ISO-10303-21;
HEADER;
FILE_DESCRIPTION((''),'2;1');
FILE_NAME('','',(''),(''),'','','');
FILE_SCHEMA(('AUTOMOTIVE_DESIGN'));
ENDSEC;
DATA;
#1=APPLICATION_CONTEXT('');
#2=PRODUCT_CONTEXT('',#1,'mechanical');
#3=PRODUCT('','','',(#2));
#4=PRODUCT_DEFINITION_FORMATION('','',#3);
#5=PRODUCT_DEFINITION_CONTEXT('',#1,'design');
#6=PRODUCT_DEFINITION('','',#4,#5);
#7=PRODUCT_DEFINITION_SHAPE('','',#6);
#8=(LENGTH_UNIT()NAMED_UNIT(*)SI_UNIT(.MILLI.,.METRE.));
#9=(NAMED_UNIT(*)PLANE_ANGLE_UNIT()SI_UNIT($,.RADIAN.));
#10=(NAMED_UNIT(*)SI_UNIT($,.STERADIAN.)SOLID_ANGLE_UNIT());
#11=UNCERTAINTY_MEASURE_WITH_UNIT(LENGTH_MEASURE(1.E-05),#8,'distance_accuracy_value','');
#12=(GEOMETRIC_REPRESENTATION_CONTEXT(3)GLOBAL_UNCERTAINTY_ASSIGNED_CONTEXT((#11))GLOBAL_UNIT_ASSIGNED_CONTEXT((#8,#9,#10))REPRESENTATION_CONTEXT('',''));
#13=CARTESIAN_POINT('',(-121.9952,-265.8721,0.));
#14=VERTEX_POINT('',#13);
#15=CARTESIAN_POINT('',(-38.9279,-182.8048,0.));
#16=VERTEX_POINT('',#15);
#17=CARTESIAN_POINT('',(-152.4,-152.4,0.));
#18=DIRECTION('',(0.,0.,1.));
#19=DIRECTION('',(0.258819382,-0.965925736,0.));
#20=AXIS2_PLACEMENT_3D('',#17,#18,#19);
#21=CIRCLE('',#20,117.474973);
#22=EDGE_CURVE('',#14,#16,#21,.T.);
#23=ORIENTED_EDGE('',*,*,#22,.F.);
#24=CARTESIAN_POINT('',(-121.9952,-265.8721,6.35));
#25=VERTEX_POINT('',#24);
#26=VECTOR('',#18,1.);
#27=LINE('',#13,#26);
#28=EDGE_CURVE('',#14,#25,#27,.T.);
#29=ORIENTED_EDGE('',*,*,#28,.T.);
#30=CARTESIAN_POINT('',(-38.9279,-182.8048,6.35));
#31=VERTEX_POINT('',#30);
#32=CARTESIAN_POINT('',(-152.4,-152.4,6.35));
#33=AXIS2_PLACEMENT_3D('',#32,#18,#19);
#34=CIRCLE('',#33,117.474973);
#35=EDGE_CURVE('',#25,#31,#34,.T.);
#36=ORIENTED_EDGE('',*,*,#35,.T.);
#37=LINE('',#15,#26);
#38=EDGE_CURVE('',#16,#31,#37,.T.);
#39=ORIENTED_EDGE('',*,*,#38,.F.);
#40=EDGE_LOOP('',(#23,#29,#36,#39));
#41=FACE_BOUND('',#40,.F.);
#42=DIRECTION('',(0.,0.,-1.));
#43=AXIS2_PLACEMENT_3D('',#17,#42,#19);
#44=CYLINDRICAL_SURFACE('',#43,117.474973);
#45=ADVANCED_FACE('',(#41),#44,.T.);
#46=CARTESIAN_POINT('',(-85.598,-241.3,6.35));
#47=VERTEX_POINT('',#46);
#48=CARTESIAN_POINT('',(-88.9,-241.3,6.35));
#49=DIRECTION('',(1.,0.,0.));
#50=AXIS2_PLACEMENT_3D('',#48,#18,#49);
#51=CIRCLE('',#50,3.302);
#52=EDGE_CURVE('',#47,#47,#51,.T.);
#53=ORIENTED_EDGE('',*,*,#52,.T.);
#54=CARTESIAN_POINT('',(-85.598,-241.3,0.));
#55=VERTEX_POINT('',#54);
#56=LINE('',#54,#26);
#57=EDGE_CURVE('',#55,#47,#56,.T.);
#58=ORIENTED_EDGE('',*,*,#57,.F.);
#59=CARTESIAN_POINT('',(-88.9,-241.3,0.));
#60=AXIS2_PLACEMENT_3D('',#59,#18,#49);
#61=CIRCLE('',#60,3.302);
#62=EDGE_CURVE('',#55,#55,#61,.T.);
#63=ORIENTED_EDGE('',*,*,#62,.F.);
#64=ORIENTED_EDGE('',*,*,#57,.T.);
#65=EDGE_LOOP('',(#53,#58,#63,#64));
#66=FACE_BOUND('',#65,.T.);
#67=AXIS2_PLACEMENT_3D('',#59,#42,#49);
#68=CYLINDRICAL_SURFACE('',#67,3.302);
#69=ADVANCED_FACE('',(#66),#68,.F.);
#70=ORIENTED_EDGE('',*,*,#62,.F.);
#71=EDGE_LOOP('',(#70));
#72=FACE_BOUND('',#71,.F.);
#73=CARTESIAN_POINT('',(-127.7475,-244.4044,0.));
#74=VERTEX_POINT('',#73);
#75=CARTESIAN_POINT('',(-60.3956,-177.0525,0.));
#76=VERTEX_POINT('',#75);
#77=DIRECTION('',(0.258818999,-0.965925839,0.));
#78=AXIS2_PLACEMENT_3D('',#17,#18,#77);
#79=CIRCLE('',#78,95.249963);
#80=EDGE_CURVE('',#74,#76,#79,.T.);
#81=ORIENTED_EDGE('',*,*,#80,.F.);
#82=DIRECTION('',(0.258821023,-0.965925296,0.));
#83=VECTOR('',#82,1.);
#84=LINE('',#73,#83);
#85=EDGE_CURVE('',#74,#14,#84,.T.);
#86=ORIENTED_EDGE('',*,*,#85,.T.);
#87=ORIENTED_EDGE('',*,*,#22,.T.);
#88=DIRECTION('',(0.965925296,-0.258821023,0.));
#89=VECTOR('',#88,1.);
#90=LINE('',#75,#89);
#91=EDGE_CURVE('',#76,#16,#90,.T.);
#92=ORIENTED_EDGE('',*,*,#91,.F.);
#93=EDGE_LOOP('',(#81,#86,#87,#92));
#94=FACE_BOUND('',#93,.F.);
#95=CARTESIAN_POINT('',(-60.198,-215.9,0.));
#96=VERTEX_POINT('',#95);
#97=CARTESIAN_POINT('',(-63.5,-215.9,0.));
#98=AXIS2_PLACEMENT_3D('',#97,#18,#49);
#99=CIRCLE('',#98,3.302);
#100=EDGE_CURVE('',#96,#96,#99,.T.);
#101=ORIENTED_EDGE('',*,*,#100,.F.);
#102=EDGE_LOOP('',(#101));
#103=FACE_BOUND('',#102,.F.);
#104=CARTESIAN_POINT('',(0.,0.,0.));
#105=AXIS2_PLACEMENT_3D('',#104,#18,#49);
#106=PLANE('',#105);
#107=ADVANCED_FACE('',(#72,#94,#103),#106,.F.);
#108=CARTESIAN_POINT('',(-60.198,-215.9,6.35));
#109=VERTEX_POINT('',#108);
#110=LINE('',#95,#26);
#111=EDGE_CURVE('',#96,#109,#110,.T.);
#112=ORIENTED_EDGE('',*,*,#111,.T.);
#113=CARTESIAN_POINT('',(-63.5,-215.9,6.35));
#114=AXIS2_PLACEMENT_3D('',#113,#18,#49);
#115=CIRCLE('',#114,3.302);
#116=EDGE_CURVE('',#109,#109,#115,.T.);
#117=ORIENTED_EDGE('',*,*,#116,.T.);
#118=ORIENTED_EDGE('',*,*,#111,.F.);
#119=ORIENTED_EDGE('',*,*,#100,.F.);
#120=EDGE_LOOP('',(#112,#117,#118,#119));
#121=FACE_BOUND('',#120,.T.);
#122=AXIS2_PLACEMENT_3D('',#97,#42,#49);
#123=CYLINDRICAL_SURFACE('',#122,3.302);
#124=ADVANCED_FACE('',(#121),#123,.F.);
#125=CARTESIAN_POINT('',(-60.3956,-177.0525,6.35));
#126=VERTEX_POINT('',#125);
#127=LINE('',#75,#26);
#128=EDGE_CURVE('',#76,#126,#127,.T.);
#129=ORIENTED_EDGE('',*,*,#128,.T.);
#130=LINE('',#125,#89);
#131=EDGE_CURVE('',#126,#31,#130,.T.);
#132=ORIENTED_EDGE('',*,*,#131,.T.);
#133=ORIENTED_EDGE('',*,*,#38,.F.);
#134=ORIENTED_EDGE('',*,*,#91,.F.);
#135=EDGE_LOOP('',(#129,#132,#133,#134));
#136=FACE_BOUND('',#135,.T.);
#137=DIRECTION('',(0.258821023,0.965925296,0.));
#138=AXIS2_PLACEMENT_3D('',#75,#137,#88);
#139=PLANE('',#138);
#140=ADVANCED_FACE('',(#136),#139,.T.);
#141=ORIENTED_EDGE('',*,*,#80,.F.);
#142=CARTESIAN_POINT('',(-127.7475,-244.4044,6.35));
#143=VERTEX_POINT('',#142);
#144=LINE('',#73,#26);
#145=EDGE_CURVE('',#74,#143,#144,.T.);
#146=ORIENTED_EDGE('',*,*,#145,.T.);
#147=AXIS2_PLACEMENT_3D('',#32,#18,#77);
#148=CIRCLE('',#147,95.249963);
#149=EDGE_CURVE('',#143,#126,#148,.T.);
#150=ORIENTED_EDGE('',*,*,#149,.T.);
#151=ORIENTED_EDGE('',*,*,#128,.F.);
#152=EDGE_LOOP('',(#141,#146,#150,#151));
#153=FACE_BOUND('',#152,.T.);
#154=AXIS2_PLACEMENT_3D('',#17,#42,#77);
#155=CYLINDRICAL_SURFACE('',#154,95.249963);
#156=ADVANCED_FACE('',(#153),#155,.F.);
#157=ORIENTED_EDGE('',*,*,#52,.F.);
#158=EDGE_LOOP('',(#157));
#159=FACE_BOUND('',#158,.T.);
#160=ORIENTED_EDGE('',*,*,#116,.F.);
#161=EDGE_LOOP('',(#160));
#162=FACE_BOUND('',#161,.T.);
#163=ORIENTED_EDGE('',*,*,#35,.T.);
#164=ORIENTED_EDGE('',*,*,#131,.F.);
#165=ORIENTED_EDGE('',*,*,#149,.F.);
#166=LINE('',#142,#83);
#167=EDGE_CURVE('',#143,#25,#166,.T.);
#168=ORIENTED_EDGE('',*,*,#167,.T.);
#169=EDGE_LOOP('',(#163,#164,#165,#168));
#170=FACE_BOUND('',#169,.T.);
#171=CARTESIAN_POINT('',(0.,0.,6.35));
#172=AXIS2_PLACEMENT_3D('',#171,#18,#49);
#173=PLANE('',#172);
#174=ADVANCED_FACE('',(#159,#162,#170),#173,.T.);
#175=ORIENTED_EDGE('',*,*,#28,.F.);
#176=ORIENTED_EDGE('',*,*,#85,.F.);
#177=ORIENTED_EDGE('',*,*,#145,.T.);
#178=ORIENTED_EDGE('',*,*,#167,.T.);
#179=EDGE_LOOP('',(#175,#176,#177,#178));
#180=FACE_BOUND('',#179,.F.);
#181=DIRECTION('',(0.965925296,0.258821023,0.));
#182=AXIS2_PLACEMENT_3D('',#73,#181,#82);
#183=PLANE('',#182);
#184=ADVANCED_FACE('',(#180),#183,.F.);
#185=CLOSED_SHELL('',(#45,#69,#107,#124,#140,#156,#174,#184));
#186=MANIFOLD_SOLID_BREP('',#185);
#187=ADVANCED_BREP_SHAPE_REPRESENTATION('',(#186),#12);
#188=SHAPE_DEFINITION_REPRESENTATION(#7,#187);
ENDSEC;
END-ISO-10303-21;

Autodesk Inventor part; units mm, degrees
ref_plane "YZ Plane" through (0, 0, 0) normal (1, 0, 0) x (0, 1, 0)
ref_plane "XZ Plane" through (0, 0, 0) normal (0, 1, 0) x (-1, 0, 0)
ref_plane "XY Plane" through (0, 0, 0) normal (0, 0, 1) x (1, 0, 0)
ref_plane "Work Plane1" through (0, 0, 0) normal (0, 0, 1) x (1, 0, 0)
sketch "Sketch1" plane through (0, 0, 0) normal (0, 0, 1) x (1, 0, 0)
  line L0 (0, 0) -> (-152.4, 0)
  circle A0 centre (-38.1, -165.1) radius 2.8067 construction
  line L1 (-60.3956, -177.0525) -> (-38.9279, -182.8048)
  line L2 (-127.7475, -244.4044) -> (-121.9952, -265.8721)
  arc A1 (-127.7475, -244.4044) -> (-60.3956, -177.0525) centre (-152.4, -152.4) ccw
  arc A2 (-121.9952, -265.8721) -> (-38.9279, -182.8048) centre (-152.4, -152.4) ccw
  line L3 (0, 0) -> (-63.5, 0)
  line L4 (-63.5, 0) -> (-63.5, -215.9) construction
  line L5 (-63.5, -215.9) -> (-88.9, -215.9) construction
  line L6 (-88.9, -215.9) -> (-88.9, -241.3) construction
  circle A3 centre (-63.5, -215.9) radius 3.302
  circle A4 centre (-88.9, -241.3) radius 3.302
  dimension "d0" = 152.4
  dimension "d8" = 63.5
  dimension "d9" = 215.9
  dimension "d10" = 25.4
  dimension "d11" = 25.4
  dimension "d12" = 6.604
  dimension "d13" = 6.604
extrude "Extrusion1" add sketch "Sketch1" along normal blind 6.35
properties part number "PartBallCupAlignment"
